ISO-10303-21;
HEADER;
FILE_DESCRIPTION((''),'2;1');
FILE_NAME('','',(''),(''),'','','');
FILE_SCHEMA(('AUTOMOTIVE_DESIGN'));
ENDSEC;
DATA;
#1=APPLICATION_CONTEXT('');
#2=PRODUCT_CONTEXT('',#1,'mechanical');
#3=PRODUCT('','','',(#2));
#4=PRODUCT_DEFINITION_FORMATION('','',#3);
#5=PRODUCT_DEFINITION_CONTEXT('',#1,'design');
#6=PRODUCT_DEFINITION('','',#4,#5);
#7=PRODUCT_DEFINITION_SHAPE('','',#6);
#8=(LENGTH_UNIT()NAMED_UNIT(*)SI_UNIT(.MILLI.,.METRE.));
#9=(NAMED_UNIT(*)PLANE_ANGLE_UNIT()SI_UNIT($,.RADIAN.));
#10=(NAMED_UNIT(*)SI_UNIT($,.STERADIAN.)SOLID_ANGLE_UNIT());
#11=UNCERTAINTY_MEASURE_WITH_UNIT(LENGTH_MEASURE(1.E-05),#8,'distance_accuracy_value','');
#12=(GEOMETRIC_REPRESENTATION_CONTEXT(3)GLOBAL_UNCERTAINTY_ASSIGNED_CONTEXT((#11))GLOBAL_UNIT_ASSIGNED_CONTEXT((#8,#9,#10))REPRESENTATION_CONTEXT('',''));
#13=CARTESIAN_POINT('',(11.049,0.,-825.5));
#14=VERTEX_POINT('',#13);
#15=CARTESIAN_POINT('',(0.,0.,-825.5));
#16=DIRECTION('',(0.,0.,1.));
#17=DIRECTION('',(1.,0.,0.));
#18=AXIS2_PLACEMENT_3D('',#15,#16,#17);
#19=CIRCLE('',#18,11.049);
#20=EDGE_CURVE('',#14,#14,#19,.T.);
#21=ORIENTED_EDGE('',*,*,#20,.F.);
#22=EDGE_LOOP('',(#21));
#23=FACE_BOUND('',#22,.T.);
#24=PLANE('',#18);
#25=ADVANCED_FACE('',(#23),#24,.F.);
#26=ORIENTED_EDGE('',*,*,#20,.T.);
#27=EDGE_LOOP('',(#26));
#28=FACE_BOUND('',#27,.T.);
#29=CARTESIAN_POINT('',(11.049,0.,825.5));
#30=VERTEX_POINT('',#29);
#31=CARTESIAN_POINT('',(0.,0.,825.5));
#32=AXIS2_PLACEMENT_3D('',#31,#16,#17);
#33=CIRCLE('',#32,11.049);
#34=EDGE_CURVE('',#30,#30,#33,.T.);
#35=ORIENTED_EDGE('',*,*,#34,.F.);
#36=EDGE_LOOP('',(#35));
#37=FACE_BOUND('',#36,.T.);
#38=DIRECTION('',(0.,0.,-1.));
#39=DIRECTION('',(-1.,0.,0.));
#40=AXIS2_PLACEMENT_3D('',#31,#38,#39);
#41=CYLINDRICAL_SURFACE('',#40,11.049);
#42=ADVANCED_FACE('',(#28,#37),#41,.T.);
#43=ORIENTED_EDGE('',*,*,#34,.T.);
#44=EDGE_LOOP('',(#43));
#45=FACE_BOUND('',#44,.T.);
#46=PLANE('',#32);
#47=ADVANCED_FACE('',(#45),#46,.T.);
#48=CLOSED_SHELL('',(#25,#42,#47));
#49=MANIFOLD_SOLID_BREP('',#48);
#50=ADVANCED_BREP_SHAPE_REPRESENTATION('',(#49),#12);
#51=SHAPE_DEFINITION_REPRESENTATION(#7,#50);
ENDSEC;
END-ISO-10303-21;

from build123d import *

# Parameters (mm, degrees)
SKETCH1_R           = 11.049
BOSS_EXTRUDE1_DEPTH = 825.5


with BuildPart() as part:
    # Sketch1 → Boss-Extrude1 (new body, symmetric)
    with BuildSketch(Plane.XY):
        Circle(SKETCH1_R)
    extrude(amount=BOSS_EXTRUDE1_DEPTH, both=True)


solid = part.part
